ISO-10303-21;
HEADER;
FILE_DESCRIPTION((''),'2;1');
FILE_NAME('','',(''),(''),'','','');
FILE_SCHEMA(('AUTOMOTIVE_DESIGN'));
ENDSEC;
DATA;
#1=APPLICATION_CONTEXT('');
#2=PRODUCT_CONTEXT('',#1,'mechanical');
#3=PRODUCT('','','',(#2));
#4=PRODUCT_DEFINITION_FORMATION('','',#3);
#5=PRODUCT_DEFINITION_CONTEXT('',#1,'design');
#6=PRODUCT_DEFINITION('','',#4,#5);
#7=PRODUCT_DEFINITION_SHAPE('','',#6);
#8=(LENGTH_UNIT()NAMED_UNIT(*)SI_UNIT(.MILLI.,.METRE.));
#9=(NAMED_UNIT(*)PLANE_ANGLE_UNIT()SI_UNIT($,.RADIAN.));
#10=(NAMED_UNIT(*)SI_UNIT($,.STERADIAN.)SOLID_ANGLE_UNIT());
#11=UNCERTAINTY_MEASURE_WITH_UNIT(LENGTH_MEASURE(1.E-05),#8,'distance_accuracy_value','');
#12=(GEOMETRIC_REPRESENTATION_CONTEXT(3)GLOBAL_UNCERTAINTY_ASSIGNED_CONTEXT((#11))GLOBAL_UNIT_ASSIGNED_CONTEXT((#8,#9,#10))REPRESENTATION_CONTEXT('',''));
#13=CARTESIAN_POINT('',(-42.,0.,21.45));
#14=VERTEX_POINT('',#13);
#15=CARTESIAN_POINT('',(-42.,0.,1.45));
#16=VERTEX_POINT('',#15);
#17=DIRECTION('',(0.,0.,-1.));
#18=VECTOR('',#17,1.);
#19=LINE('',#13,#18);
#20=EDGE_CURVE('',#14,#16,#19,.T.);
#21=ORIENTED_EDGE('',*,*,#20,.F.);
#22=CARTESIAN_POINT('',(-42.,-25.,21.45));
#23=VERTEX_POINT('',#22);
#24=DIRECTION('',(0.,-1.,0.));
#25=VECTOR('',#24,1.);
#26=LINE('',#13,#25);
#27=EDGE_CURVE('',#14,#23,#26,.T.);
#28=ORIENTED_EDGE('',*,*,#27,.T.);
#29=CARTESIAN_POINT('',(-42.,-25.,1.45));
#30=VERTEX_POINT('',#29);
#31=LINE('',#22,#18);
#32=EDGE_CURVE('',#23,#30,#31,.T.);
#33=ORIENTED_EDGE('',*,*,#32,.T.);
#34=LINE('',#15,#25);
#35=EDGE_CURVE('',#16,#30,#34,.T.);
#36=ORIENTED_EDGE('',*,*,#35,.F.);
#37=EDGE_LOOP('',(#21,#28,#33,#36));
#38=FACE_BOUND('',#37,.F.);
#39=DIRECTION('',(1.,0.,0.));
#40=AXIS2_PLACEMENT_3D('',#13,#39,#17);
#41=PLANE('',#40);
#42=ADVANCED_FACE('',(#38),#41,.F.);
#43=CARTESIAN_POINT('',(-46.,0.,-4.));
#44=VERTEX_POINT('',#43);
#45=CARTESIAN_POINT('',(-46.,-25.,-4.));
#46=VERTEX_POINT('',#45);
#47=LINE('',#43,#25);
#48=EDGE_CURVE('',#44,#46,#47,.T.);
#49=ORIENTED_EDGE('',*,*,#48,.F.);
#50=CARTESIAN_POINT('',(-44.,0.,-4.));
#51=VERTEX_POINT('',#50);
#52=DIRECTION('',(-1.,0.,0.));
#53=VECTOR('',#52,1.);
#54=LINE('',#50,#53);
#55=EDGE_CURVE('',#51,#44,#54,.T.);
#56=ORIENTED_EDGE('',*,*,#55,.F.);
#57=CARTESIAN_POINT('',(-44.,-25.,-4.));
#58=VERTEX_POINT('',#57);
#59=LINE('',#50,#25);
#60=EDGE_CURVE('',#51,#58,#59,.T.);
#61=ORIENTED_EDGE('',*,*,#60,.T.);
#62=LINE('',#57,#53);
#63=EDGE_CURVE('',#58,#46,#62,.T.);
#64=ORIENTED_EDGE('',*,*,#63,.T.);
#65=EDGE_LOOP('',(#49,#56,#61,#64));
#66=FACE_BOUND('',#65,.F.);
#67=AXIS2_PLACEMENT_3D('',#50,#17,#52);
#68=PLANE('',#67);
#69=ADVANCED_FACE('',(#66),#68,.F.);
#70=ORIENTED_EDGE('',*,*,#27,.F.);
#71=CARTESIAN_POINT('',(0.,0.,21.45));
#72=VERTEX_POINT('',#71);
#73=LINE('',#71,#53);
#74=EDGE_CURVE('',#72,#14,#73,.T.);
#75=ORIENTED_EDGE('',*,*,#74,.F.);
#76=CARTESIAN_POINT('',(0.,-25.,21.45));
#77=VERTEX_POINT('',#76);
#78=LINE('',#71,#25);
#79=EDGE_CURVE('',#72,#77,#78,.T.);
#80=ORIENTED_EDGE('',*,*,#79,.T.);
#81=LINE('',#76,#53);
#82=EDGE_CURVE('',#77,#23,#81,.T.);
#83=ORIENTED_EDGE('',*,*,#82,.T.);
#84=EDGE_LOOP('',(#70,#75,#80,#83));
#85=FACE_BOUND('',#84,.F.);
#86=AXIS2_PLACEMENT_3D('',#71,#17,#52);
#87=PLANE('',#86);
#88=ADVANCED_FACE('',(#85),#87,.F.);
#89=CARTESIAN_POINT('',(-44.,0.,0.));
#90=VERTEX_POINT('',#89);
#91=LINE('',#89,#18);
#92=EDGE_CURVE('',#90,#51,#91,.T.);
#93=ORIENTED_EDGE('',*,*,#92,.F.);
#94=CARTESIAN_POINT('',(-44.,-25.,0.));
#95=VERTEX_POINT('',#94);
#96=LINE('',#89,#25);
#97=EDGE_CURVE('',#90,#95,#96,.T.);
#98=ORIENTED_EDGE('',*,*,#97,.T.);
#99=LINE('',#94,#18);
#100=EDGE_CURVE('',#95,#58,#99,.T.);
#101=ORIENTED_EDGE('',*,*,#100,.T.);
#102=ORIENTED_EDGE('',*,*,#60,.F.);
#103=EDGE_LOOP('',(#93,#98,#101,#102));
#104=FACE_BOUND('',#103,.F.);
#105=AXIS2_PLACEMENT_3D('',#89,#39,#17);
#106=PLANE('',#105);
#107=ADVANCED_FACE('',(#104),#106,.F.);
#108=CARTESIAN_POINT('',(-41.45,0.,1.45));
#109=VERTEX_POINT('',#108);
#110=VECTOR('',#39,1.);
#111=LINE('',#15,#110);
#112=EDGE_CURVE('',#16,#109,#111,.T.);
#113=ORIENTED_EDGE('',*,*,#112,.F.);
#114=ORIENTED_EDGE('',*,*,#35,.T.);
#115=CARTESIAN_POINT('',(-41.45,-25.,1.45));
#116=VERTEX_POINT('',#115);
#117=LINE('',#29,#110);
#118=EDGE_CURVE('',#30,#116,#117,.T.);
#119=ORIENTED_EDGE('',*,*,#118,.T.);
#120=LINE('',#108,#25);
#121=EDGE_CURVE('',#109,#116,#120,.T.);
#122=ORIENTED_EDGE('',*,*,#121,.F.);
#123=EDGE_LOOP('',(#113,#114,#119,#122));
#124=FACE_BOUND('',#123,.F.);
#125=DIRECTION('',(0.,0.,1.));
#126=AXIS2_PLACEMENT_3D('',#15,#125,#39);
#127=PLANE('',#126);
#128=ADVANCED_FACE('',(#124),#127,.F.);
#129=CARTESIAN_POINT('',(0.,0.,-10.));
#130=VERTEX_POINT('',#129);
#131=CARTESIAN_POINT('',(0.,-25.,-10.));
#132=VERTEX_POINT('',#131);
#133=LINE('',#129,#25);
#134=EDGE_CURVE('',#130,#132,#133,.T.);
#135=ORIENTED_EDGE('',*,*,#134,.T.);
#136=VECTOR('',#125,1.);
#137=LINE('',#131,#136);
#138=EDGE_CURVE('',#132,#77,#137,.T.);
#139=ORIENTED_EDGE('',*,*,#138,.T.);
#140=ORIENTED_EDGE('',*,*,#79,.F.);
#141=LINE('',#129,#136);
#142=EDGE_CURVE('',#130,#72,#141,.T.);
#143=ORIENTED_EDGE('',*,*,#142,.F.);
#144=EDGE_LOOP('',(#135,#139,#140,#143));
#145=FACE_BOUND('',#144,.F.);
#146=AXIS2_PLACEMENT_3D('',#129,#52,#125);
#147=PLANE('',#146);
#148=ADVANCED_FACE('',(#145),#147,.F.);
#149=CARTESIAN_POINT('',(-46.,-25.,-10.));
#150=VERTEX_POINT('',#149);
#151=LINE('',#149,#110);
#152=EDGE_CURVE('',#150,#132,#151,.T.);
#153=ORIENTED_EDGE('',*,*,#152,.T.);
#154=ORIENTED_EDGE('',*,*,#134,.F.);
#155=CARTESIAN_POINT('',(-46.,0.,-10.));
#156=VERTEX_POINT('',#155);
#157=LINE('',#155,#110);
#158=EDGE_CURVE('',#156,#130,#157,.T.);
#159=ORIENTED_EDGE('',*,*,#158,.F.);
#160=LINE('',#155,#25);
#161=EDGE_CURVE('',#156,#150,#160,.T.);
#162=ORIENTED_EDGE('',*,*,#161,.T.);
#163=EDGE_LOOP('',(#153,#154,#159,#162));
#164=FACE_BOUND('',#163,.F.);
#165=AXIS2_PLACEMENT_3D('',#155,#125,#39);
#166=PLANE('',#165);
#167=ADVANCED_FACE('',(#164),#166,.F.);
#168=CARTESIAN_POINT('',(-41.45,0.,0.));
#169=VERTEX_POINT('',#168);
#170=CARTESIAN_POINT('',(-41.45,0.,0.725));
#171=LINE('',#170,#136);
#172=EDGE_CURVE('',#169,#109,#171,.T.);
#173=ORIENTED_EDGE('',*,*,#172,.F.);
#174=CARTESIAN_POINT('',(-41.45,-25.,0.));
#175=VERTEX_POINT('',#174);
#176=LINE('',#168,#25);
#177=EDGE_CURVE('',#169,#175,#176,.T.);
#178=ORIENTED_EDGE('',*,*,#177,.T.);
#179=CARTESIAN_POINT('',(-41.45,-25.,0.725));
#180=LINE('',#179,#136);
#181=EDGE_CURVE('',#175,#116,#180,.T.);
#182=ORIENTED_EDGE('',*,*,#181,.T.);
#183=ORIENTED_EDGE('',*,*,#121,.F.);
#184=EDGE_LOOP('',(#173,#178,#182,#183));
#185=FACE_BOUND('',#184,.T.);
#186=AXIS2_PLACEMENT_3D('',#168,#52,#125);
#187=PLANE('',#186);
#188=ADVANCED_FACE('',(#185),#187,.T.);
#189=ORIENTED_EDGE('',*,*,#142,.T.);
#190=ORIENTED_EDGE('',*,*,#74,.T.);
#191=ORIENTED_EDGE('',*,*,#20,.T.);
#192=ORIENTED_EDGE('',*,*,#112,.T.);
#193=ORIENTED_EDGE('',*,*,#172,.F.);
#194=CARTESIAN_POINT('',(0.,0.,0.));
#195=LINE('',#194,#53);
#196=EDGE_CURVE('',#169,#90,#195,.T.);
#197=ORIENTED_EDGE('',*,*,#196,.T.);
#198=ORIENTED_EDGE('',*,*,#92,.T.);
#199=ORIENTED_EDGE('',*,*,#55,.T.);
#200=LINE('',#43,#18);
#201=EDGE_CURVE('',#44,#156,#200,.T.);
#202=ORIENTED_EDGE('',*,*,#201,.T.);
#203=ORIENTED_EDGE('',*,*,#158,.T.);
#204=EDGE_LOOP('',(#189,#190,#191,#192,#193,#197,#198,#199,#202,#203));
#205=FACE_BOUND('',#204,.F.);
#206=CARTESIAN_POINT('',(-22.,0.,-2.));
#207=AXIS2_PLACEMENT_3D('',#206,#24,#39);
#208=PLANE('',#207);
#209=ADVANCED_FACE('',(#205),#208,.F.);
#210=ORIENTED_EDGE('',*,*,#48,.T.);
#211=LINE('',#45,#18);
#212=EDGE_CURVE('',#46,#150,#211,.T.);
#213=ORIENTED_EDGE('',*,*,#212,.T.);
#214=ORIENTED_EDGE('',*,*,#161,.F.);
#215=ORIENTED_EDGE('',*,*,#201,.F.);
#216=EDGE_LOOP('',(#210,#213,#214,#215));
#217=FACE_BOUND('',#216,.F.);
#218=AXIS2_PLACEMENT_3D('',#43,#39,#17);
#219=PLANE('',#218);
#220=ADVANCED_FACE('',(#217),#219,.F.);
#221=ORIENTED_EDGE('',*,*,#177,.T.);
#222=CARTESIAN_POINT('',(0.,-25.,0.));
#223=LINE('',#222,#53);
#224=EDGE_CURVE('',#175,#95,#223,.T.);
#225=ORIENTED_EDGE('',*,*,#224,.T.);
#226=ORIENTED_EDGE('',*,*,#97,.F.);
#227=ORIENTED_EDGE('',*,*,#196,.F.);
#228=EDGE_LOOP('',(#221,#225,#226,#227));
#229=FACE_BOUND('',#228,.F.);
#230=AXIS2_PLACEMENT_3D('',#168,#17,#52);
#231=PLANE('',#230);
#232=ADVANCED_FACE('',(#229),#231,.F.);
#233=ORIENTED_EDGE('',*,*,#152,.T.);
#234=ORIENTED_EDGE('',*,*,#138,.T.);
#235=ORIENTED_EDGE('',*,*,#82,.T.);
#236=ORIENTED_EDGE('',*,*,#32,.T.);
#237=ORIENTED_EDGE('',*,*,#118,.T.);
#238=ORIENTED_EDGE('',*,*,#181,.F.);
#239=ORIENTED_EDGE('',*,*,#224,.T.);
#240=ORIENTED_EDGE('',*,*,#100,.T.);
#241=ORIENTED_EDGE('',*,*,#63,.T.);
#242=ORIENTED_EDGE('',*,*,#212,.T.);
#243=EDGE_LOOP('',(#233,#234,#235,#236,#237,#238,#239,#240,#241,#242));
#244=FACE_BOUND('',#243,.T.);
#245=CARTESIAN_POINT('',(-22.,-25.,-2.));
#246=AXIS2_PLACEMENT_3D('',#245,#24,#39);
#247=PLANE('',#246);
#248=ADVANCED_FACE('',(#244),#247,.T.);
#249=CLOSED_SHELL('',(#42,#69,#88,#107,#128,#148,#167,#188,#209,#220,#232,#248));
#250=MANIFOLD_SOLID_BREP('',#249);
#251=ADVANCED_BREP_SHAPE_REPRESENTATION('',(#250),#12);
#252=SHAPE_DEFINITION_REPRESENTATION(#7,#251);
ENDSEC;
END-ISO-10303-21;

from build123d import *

# Parameters (mm, degrees)
F0_W     = 41.45
F0_H     = 1.45
F1_DEPTH = 25


with BuildPart() as f1:
    # F0 (on Front) → F1 (new body)
    with BuildSketch(Plane.XZ):
        Polygon((0, -4), (0, 0), (-41.45, 0), (-44, 0), (-44, -4), align=None)
        with Locations((-20.725, 0.725)):
            Rectangle(F0_W, F0_H)
        Polygon((-41.45, 1.45), (0, 1.45), (0, 21.45), (-42, 21.45), (-42, 1.45), align=None)
        Polygon((0, -10), (0, -4), (-44, -4), (-46, -4), (-46, -10), align=None)
    extrude(amount=F1_DEPTH)


solid = f1.part
